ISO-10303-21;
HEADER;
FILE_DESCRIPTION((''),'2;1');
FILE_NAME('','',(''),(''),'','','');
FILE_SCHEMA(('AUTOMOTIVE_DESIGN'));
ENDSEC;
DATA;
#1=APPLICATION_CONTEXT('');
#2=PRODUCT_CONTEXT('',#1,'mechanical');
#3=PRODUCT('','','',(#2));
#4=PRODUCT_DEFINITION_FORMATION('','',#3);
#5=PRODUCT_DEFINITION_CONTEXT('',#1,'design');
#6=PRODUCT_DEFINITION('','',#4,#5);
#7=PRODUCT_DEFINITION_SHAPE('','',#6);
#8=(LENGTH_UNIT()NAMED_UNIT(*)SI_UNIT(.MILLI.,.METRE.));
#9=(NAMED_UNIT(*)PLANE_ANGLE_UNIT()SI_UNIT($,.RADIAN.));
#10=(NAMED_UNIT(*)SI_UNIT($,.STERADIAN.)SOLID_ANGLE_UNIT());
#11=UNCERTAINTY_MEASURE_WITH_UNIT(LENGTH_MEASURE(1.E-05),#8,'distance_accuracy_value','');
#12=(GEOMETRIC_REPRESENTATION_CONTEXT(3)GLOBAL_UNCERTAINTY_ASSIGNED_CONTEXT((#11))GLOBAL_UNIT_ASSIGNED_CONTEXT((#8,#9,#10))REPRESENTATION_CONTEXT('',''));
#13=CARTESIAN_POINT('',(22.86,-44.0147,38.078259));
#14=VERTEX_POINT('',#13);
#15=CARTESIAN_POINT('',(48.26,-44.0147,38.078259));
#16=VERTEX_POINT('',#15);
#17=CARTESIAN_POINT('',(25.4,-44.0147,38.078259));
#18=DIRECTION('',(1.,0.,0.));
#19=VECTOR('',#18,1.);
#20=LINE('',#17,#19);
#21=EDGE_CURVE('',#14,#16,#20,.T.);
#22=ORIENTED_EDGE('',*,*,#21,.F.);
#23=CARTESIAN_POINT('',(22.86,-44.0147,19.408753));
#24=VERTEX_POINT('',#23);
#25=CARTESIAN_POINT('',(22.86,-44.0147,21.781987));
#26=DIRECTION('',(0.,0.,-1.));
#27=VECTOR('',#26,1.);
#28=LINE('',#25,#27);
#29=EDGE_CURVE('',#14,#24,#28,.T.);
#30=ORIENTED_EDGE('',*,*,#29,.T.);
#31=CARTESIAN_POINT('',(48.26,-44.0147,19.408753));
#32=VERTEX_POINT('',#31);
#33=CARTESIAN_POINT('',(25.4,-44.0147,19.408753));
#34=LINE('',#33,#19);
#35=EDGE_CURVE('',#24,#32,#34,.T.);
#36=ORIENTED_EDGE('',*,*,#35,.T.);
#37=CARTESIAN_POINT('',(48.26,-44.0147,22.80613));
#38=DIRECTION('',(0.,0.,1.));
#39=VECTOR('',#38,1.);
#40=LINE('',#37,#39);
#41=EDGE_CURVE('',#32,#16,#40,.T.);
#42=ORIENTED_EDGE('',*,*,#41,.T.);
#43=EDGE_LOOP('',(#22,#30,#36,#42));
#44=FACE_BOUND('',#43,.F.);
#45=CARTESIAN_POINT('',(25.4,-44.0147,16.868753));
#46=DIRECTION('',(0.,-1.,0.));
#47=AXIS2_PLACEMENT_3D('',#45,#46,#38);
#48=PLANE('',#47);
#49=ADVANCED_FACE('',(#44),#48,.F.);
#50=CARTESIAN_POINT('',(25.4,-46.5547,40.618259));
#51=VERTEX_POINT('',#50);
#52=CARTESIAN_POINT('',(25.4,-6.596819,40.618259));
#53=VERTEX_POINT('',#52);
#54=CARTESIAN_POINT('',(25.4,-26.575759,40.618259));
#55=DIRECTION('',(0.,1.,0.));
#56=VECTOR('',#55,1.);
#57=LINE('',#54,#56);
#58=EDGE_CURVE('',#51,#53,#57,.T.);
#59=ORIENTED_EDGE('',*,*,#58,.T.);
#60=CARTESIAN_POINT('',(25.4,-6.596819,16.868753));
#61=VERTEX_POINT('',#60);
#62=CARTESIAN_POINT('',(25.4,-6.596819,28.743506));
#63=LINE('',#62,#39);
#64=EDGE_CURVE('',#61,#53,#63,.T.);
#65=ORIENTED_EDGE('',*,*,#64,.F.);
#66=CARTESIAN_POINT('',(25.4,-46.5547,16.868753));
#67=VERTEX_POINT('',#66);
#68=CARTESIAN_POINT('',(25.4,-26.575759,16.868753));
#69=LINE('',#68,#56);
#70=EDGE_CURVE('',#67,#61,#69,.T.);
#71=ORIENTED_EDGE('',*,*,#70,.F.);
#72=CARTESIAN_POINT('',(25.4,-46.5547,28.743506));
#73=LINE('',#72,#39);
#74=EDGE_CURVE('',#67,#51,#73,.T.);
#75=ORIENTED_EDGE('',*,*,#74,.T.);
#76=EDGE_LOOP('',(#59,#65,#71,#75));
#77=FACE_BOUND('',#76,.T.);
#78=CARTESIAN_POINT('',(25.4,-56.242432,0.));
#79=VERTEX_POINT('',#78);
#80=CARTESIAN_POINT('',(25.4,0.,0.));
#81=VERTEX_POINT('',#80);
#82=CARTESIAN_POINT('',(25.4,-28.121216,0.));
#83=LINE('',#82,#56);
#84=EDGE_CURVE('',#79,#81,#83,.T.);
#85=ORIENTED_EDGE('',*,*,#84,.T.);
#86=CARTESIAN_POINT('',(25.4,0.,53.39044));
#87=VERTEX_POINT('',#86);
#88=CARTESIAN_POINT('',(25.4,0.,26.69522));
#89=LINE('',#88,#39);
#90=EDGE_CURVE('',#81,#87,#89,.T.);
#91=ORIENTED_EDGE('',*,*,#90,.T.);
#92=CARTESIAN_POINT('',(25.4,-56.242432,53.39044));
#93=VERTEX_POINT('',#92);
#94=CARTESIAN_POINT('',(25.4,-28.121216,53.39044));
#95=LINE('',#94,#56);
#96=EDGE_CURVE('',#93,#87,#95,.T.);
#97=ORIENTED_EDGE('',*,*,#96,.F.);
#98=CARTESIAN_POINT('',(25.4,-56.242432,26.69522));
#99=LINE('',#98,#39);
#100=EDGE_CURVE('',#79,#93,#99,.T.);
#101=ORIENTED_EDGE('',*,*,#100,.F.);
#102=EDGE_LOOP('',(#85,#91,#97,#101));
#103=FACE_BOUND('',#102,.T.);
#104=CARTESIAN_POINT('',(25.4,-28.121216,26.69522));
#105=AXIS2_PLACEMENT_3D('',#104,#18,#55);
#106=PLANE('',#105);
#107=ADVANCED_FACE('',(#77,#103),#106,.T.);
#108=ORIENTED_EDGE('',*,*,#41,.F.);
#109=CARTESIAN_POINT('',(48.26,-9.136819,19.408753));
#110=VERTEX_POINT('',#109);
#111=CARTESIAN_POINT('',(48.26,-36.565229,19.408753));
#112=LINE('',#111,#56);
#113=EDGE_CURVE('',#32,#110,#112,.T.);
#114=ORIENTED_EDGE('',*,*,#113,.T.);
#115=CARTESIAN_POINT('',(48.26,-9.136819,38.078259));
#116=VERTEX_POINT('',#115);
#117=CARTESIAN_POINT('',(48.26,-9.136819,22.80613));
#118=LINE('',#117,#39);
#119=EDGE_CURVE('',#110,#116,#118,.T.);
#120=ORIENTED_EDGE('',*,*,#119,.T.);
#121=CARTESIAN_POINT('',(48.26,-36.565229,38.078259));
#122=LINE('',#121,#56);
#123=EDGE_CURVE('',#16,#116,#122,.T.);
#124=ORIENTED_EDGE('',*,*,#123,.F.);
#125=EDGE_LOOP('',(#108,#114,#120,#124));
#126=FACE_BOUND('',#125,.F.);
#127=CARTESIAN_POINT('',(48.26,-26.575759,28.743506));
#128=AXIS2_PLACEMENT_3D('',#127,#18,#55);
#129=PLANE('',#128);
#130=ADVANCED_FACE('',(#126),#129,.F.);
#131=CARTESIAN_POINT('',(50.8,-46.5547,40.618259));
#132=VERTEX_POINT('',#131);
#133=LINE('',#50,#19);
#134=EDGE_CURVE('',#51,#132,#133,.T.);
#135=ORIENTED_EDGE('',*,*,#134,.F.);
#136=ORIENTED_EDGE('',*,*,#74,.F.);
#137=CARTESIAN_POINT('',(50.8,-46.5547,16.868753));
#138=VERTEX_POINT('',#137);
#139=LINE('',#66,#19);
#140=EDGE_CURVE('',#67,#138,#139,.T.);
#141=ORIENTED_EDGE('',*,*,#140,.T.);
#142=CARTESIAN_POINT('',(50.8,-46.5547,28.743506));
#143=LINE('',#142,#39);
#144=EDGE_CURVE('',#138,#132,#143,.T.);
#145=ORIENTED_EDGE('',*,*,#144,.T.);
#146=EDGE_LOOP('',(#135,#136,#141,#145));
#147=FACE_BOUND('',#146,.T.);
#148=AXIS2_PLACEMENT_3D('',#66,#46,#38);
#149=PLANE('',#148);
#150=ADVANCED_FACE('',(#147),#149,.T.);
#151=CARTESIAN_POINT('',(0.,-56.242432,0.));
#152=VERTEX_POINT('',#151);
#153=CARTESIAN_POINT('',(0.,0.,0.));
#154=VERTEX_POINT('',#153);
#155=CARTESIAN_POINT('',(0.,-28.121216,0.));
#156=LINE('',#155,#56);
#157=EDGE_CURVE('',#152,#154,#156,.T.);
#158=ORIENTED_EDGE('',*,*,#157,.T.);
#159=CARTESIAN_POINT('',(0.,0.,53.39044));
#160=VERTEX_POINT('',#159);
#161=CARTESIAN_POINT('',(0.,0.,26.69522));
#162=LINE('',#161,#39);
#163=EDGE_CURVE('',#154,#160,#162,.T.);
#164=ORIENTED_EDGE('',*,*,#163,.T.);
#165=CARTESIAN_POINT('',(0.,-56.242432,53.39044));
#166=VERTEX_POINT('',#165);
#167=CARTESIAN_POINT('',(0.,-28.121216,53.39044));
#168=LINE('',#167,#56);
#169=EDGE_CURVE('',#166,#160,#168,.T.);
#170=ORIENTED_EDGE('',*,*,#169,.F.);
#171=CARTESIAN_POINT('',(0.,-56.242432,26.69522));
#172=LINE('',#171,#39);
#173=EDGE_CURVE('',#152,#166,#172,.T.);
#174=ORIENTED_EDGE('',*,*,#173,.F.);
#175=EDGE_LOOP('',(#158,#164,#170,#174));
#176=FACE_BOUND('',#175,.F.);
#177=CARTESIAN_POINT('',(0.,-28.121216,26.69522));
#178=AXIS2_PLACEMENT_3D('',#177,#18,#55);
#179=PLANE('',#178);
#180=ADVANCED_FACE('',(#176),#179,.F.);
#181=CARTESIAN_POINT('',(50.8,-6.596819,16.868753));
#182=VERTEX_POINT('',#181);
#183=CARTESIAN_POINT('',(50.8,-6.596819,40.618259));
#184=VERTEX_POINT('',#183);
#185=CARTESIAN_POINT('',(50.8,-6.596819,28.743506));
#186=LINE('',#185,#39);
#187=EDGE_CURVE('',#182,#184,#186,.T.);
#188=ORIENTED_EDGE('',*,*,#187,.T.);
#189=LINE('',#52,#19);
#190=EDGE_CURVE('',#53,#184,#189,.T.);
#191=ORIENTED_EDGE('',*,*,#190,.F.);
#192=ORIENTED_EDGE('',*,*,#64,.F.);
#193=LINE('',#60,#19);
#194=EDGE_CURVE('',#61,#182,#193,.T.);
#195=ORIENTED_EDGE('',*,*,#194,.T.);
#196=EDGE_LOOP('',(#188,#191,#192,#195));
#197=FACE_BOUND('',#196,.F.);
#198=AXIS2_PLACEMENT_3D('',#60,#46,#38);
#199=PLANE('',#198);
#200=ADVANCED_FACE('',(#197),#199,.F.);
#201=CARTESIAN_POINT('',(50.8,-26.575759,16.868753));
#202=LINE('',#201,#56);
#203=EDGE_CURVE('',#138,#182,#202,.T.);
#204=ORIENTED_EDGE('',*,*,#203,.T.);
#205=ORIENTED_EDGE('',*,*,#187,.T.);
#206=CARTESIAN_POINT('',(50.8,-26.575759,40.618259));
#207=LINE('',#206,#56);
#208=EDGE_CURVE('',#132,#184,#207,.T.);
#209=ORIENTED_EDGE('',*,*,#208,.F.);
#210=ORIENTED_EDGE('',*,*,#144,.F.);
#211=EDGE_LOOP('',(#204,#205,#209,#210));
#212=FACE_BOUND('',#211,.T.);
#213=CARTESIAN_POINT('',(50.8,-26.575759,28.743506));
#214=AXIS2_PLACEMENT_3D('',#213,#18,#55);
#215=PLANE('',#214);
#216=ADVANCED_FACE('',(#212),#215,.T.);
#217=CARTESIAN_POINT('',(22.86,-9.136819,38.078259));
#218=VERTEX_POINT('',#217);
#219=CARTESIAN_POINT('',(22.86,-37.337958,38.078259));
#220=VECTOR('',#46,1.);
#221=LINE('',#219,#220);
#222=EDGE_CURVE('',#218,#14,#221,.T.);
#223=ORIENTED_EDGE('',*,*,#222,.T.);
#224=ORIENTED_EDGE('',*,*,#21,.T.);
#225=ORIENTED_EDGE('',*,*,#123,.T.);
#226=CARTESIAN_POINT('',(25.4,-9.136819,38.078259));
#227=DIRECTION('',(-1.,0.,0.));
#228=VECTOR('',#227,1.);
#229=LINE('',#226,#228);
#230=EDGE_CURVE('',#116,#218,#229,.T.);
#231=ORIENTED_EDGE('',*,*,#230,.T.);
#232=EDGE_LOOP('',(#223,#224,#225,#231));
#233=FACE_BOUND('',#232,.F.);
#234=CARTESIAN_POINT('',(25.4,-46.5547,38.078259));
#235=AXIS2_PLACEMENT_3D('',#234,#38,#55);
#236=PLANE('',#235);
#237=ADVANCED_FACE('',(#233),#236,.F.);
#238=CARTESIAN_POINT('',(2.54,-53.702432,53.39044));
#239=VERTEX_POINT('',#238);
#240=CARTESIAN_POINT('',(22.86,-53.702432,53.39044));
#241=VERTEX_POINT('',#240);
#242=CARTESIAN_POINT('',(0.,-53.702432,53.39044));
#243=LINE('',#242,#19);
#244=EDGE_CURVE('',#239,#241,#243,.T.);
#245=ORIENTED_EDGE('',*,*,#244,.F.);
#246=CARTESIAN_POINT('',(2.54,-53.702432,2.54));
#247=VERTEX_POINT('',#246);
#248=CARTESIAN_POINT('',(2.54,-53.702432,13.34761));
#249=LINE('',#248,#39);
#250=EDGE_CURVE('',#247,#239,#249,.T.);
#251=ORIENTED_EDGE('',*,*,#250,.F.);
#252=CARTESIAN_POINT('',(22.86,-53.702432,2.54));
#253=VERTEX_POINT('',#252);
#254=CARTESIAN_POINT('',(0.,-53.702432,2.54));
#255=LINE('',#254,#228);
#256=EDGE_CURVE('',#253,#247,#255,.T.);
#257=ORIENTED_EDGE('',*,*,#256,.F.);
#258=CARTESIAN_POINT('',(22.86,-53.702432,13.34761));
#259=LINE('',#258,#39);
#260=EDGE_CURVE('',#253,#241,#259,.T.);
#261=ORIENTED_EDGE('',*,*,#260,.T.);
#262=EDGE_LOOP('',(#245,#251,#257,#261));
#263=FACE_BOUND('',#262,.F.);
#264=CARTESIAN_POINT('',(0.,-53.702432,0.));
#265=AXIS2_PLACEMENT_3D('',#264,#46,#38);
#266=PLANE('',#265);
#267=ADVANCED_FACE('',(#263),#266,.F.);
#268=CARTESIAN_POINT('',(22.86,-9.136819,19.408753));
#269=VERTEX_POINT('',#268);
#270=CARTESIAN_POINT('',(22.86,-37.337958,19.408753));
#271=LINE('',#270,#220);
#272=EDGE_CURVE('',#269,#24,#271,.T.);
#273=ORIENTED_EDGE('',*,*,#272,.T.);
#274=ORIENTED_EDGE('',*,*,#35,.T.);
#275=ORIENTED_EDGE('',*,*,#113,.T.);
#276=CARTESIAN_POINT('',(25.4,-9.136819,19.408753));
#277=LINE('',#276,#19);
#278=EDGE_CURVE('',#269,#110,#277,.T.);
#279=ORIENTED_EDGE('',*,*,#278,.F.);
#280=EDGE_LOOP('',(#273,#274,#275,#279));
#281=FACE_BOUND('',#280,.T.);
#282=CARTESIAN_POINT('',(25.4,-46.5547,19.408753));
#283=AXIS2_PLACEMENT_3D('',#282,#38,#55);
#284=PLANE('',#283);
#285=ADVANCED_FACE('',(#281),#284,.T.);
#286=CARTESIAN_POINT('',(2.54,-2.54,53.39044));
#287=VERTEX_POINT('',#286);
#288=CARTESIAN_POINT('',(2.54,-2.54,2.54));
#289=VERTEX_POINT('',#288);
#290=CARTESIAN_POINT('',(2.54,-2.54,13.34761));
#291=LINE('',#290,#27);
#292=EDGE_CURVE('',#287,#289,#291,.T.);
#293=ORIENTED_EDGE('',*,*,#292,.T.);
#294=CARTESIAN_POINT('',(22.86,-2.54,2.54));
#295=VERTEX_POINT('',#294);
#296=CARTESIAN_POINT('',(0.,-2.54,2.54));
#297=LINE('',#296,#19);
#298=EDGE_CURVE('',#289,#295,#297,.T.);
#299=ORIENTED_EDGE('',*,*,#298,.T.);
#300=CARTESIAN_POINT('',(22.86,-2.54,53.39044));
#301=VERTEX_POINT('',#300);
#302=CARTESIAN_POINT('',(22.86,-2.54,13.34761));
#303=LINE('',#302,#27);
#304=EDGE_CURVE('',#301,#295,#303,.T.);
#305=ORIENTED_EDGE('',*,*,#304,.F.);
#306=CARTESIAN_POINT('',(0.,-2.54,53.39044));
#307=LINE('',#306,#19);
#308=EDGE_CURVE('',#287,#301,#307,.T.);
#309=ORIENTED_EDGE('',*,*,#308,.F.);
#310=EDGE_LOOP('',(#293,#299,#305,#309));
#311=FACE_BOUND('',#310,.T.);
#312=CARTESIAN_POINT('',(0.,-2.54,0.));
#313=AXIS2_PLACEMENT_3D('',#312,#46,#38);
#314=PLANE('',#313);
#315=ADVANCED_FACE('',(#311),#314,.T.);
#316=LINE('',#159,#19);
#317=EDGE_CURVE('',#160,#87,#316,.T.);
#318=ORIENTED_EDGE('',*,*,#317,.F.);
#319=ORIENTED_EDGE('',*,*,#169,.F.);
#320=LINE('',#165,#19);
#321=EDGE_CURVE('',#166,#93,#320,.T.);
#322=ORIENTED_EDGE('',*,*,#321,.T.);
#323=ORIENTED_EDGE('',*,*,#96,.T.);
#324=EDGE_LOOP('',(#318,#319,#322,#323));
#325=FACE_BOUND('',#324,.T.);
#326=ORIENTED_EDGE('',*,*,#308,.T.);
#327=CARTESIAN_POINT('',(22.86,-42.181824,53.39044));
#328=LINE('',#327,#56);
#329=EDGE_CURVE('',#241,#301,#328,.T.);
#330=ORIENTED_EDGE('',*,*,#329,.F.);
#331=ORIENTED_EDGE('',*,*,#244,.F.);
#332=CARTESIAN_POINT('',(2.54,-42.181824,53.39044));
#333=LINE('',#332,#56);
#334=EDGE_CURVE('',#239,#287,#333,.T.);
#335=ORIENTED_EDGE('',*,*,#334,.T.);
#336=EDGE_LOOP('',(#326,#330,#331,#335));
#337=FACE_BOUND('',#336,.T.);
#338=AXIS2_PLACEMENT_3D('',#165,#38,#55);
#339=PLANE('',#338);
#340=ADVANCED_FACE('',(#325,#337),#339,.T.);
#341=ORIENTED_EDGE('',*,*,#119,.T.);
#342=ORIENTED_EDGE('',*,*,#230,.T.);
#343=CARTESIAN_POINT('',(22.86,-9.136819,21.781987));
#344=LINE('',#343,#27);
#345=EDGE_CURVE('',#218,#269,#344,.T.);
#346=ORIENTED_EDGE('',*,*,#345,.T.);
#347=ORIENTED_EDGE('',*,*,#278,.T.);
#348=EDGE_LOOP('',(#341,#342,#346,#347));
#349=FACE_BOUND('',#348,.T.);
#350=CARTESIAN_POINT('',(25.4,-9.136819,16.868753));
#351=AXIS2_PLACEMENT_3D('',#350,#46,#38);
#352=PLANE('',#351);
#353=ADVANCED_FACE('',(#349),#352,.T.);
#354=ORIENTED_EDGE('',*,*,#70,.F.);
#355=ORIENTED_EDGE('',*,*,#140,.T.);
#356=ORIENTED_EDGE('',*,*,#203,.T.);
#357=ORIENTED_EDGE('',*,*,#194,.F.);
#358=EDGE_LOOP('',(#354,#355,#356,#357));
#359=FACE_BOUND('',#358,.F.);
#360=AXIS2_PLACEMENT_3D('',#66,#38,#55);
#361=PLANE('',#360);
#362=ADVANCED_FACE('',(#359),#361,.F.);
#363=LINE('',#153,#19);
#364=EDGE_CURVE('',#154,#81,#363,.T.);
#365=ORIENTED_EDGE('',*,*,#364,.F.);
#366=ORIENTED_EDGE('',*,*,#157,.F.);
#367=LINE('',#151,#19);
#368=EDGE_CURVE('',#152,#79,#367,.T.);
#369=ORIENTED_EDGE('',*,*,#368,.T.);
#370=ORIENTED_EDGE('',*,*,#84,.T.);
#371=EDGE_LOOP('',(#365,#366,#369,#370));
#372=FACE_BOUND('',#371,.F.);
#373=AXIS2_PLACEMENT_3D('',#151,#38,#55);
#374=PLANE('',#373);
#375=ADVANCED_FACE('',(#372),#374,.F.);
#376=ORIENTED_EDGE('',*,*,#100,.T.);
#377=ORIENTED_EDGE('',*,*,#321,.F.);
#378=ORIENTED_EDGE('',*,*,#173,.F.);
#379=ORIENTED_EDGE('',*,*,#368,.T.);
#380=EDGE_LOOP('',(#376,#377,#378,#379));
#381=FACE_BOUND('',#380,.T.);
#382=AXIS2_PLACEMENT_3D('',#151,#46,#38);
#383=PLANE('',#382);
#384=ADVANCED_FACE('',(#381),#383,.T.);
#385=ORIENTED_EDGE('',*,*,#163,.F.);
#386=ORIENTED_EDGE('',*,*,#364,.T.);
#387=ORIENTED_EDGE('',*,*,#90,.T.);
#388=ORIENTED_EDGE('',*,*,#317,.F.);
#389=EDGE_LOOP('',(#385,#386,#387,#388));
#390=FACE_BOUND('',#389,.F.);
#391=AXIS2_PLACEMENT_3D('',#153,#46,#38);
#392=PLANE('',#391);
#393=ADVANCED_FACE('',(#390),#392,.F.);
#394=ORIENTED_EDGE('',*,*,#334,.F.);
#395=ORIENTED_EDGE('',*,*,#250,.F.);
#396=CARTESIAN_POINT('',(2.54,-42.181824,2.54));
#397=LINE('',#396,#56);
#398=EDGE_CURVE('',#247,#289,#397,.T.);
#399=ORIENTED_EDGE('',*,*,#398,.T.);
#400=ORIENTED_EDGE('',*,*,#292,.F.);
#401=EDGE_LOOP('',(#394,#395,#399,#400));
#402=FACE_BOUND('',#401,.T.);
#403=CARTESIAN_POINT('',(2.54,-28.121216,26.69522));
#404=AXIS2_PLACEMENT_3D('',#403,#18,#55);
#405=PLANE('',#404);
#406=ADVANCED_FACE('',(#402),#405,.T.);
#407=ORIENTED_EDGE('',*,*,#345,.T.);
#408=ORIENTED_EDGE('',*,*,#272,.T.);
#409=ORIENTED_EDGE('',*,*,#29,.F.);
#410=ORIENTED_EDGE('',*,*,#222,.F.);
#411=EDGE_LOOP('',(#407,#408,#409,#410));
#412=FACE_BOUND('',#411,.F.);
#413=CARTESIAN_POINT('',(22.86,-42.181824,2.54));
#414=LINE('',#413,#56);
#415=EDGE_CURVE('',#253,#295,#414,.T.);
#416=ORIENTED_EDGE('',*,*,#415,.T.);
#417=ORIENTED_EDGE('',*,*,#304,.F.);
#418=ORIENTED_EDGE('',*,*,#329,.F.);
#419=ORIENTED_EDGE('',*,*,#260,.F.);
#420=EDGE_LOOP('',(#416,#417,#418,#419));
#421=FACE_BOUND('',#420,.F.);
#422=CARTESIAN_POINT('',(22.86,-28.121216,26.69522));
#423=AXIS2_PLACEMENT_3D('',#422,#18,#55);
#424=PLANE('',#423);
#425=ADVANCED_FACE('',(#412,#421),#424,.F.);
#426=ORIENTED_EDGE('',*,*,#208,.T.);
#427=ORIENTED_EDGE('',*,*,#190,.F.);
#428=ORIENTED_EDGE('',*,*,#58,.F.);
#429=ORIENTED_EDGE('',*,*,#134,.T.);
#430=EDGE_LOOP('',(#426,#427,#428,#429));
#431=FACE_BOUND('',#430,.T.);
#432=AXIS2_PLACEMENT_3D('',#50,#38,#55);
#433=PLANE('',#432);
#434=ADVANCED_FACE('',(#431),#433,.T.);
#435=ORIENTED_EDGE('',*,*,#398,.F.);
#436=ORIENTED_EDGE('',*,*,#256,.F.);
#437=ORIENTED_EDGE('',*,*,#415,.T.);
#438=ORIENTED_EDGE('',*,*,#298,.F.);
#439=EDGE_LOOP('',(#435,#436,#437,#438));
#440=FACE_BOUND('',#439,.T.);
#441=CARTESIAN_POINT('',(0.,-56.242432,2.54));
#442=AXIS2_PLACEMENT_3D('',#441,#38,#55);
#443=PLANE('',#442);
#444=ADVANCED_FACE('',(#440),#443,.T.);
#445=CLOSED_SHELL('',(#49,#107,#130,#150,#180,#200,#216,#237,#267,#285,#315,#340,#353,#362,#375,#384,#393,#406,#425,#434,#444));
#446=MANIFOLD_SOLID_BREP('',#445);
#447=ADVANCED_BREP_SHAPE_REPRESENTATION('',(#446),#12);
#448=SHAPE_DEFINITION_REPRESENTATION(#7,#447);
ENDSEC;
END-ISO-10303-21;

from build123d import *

# Parameters (mm, degrees)
F0_W     = 35.9010435641
F0_H     = 59.8467253149
F1_DEPTH = 25.4
F2_W     = 56.2424324453
F2_H     = 53.3904395998
F3_DEPTH = 25.4
F4_W     = 39.9578805082
F4_H     = 23.749506101
F5_DEPTH = 25.4
F6_T     = -2.54


with BuildPart() as f1:
    # F0 (on Top) → F1 (new body)
    with BuildSketch(Plane.XY):
        with Locations((-17.950521782, 29.9233626574)):
            Rectangle(F0_W, F0_H)
    extrude(amount=F1_DEPTH)


with BuildPart() as f3:
    # F2 (on Right) → F3 (new body)
    with BuildSketch(Plane.YZ):
        with Locations((-28.1212162226, 26.6952197999)):
            Rectangle(F2_W, F2_H)
    extrude(amount=F3_DEPTH)

    # F4 (on face) → F5 (join)
    with BuildSketch(Plane.YZ.offset(25.4)):
        with Locations((-26.5757592861, 28.7435064092)):
            Rectangle(F4_W, F4_H)
    extrude(amount=F5_DEPTH)

    # F6
    f6_openings = [f3.faces().sort_by_distance(p)[0] for p in [
        (12.7, -28.121216, 53.39044),
    ]]
    offset(amount=F6_T, openings=f6_openings, kind=Kind.INTERSECTION)


solid = f3.part
